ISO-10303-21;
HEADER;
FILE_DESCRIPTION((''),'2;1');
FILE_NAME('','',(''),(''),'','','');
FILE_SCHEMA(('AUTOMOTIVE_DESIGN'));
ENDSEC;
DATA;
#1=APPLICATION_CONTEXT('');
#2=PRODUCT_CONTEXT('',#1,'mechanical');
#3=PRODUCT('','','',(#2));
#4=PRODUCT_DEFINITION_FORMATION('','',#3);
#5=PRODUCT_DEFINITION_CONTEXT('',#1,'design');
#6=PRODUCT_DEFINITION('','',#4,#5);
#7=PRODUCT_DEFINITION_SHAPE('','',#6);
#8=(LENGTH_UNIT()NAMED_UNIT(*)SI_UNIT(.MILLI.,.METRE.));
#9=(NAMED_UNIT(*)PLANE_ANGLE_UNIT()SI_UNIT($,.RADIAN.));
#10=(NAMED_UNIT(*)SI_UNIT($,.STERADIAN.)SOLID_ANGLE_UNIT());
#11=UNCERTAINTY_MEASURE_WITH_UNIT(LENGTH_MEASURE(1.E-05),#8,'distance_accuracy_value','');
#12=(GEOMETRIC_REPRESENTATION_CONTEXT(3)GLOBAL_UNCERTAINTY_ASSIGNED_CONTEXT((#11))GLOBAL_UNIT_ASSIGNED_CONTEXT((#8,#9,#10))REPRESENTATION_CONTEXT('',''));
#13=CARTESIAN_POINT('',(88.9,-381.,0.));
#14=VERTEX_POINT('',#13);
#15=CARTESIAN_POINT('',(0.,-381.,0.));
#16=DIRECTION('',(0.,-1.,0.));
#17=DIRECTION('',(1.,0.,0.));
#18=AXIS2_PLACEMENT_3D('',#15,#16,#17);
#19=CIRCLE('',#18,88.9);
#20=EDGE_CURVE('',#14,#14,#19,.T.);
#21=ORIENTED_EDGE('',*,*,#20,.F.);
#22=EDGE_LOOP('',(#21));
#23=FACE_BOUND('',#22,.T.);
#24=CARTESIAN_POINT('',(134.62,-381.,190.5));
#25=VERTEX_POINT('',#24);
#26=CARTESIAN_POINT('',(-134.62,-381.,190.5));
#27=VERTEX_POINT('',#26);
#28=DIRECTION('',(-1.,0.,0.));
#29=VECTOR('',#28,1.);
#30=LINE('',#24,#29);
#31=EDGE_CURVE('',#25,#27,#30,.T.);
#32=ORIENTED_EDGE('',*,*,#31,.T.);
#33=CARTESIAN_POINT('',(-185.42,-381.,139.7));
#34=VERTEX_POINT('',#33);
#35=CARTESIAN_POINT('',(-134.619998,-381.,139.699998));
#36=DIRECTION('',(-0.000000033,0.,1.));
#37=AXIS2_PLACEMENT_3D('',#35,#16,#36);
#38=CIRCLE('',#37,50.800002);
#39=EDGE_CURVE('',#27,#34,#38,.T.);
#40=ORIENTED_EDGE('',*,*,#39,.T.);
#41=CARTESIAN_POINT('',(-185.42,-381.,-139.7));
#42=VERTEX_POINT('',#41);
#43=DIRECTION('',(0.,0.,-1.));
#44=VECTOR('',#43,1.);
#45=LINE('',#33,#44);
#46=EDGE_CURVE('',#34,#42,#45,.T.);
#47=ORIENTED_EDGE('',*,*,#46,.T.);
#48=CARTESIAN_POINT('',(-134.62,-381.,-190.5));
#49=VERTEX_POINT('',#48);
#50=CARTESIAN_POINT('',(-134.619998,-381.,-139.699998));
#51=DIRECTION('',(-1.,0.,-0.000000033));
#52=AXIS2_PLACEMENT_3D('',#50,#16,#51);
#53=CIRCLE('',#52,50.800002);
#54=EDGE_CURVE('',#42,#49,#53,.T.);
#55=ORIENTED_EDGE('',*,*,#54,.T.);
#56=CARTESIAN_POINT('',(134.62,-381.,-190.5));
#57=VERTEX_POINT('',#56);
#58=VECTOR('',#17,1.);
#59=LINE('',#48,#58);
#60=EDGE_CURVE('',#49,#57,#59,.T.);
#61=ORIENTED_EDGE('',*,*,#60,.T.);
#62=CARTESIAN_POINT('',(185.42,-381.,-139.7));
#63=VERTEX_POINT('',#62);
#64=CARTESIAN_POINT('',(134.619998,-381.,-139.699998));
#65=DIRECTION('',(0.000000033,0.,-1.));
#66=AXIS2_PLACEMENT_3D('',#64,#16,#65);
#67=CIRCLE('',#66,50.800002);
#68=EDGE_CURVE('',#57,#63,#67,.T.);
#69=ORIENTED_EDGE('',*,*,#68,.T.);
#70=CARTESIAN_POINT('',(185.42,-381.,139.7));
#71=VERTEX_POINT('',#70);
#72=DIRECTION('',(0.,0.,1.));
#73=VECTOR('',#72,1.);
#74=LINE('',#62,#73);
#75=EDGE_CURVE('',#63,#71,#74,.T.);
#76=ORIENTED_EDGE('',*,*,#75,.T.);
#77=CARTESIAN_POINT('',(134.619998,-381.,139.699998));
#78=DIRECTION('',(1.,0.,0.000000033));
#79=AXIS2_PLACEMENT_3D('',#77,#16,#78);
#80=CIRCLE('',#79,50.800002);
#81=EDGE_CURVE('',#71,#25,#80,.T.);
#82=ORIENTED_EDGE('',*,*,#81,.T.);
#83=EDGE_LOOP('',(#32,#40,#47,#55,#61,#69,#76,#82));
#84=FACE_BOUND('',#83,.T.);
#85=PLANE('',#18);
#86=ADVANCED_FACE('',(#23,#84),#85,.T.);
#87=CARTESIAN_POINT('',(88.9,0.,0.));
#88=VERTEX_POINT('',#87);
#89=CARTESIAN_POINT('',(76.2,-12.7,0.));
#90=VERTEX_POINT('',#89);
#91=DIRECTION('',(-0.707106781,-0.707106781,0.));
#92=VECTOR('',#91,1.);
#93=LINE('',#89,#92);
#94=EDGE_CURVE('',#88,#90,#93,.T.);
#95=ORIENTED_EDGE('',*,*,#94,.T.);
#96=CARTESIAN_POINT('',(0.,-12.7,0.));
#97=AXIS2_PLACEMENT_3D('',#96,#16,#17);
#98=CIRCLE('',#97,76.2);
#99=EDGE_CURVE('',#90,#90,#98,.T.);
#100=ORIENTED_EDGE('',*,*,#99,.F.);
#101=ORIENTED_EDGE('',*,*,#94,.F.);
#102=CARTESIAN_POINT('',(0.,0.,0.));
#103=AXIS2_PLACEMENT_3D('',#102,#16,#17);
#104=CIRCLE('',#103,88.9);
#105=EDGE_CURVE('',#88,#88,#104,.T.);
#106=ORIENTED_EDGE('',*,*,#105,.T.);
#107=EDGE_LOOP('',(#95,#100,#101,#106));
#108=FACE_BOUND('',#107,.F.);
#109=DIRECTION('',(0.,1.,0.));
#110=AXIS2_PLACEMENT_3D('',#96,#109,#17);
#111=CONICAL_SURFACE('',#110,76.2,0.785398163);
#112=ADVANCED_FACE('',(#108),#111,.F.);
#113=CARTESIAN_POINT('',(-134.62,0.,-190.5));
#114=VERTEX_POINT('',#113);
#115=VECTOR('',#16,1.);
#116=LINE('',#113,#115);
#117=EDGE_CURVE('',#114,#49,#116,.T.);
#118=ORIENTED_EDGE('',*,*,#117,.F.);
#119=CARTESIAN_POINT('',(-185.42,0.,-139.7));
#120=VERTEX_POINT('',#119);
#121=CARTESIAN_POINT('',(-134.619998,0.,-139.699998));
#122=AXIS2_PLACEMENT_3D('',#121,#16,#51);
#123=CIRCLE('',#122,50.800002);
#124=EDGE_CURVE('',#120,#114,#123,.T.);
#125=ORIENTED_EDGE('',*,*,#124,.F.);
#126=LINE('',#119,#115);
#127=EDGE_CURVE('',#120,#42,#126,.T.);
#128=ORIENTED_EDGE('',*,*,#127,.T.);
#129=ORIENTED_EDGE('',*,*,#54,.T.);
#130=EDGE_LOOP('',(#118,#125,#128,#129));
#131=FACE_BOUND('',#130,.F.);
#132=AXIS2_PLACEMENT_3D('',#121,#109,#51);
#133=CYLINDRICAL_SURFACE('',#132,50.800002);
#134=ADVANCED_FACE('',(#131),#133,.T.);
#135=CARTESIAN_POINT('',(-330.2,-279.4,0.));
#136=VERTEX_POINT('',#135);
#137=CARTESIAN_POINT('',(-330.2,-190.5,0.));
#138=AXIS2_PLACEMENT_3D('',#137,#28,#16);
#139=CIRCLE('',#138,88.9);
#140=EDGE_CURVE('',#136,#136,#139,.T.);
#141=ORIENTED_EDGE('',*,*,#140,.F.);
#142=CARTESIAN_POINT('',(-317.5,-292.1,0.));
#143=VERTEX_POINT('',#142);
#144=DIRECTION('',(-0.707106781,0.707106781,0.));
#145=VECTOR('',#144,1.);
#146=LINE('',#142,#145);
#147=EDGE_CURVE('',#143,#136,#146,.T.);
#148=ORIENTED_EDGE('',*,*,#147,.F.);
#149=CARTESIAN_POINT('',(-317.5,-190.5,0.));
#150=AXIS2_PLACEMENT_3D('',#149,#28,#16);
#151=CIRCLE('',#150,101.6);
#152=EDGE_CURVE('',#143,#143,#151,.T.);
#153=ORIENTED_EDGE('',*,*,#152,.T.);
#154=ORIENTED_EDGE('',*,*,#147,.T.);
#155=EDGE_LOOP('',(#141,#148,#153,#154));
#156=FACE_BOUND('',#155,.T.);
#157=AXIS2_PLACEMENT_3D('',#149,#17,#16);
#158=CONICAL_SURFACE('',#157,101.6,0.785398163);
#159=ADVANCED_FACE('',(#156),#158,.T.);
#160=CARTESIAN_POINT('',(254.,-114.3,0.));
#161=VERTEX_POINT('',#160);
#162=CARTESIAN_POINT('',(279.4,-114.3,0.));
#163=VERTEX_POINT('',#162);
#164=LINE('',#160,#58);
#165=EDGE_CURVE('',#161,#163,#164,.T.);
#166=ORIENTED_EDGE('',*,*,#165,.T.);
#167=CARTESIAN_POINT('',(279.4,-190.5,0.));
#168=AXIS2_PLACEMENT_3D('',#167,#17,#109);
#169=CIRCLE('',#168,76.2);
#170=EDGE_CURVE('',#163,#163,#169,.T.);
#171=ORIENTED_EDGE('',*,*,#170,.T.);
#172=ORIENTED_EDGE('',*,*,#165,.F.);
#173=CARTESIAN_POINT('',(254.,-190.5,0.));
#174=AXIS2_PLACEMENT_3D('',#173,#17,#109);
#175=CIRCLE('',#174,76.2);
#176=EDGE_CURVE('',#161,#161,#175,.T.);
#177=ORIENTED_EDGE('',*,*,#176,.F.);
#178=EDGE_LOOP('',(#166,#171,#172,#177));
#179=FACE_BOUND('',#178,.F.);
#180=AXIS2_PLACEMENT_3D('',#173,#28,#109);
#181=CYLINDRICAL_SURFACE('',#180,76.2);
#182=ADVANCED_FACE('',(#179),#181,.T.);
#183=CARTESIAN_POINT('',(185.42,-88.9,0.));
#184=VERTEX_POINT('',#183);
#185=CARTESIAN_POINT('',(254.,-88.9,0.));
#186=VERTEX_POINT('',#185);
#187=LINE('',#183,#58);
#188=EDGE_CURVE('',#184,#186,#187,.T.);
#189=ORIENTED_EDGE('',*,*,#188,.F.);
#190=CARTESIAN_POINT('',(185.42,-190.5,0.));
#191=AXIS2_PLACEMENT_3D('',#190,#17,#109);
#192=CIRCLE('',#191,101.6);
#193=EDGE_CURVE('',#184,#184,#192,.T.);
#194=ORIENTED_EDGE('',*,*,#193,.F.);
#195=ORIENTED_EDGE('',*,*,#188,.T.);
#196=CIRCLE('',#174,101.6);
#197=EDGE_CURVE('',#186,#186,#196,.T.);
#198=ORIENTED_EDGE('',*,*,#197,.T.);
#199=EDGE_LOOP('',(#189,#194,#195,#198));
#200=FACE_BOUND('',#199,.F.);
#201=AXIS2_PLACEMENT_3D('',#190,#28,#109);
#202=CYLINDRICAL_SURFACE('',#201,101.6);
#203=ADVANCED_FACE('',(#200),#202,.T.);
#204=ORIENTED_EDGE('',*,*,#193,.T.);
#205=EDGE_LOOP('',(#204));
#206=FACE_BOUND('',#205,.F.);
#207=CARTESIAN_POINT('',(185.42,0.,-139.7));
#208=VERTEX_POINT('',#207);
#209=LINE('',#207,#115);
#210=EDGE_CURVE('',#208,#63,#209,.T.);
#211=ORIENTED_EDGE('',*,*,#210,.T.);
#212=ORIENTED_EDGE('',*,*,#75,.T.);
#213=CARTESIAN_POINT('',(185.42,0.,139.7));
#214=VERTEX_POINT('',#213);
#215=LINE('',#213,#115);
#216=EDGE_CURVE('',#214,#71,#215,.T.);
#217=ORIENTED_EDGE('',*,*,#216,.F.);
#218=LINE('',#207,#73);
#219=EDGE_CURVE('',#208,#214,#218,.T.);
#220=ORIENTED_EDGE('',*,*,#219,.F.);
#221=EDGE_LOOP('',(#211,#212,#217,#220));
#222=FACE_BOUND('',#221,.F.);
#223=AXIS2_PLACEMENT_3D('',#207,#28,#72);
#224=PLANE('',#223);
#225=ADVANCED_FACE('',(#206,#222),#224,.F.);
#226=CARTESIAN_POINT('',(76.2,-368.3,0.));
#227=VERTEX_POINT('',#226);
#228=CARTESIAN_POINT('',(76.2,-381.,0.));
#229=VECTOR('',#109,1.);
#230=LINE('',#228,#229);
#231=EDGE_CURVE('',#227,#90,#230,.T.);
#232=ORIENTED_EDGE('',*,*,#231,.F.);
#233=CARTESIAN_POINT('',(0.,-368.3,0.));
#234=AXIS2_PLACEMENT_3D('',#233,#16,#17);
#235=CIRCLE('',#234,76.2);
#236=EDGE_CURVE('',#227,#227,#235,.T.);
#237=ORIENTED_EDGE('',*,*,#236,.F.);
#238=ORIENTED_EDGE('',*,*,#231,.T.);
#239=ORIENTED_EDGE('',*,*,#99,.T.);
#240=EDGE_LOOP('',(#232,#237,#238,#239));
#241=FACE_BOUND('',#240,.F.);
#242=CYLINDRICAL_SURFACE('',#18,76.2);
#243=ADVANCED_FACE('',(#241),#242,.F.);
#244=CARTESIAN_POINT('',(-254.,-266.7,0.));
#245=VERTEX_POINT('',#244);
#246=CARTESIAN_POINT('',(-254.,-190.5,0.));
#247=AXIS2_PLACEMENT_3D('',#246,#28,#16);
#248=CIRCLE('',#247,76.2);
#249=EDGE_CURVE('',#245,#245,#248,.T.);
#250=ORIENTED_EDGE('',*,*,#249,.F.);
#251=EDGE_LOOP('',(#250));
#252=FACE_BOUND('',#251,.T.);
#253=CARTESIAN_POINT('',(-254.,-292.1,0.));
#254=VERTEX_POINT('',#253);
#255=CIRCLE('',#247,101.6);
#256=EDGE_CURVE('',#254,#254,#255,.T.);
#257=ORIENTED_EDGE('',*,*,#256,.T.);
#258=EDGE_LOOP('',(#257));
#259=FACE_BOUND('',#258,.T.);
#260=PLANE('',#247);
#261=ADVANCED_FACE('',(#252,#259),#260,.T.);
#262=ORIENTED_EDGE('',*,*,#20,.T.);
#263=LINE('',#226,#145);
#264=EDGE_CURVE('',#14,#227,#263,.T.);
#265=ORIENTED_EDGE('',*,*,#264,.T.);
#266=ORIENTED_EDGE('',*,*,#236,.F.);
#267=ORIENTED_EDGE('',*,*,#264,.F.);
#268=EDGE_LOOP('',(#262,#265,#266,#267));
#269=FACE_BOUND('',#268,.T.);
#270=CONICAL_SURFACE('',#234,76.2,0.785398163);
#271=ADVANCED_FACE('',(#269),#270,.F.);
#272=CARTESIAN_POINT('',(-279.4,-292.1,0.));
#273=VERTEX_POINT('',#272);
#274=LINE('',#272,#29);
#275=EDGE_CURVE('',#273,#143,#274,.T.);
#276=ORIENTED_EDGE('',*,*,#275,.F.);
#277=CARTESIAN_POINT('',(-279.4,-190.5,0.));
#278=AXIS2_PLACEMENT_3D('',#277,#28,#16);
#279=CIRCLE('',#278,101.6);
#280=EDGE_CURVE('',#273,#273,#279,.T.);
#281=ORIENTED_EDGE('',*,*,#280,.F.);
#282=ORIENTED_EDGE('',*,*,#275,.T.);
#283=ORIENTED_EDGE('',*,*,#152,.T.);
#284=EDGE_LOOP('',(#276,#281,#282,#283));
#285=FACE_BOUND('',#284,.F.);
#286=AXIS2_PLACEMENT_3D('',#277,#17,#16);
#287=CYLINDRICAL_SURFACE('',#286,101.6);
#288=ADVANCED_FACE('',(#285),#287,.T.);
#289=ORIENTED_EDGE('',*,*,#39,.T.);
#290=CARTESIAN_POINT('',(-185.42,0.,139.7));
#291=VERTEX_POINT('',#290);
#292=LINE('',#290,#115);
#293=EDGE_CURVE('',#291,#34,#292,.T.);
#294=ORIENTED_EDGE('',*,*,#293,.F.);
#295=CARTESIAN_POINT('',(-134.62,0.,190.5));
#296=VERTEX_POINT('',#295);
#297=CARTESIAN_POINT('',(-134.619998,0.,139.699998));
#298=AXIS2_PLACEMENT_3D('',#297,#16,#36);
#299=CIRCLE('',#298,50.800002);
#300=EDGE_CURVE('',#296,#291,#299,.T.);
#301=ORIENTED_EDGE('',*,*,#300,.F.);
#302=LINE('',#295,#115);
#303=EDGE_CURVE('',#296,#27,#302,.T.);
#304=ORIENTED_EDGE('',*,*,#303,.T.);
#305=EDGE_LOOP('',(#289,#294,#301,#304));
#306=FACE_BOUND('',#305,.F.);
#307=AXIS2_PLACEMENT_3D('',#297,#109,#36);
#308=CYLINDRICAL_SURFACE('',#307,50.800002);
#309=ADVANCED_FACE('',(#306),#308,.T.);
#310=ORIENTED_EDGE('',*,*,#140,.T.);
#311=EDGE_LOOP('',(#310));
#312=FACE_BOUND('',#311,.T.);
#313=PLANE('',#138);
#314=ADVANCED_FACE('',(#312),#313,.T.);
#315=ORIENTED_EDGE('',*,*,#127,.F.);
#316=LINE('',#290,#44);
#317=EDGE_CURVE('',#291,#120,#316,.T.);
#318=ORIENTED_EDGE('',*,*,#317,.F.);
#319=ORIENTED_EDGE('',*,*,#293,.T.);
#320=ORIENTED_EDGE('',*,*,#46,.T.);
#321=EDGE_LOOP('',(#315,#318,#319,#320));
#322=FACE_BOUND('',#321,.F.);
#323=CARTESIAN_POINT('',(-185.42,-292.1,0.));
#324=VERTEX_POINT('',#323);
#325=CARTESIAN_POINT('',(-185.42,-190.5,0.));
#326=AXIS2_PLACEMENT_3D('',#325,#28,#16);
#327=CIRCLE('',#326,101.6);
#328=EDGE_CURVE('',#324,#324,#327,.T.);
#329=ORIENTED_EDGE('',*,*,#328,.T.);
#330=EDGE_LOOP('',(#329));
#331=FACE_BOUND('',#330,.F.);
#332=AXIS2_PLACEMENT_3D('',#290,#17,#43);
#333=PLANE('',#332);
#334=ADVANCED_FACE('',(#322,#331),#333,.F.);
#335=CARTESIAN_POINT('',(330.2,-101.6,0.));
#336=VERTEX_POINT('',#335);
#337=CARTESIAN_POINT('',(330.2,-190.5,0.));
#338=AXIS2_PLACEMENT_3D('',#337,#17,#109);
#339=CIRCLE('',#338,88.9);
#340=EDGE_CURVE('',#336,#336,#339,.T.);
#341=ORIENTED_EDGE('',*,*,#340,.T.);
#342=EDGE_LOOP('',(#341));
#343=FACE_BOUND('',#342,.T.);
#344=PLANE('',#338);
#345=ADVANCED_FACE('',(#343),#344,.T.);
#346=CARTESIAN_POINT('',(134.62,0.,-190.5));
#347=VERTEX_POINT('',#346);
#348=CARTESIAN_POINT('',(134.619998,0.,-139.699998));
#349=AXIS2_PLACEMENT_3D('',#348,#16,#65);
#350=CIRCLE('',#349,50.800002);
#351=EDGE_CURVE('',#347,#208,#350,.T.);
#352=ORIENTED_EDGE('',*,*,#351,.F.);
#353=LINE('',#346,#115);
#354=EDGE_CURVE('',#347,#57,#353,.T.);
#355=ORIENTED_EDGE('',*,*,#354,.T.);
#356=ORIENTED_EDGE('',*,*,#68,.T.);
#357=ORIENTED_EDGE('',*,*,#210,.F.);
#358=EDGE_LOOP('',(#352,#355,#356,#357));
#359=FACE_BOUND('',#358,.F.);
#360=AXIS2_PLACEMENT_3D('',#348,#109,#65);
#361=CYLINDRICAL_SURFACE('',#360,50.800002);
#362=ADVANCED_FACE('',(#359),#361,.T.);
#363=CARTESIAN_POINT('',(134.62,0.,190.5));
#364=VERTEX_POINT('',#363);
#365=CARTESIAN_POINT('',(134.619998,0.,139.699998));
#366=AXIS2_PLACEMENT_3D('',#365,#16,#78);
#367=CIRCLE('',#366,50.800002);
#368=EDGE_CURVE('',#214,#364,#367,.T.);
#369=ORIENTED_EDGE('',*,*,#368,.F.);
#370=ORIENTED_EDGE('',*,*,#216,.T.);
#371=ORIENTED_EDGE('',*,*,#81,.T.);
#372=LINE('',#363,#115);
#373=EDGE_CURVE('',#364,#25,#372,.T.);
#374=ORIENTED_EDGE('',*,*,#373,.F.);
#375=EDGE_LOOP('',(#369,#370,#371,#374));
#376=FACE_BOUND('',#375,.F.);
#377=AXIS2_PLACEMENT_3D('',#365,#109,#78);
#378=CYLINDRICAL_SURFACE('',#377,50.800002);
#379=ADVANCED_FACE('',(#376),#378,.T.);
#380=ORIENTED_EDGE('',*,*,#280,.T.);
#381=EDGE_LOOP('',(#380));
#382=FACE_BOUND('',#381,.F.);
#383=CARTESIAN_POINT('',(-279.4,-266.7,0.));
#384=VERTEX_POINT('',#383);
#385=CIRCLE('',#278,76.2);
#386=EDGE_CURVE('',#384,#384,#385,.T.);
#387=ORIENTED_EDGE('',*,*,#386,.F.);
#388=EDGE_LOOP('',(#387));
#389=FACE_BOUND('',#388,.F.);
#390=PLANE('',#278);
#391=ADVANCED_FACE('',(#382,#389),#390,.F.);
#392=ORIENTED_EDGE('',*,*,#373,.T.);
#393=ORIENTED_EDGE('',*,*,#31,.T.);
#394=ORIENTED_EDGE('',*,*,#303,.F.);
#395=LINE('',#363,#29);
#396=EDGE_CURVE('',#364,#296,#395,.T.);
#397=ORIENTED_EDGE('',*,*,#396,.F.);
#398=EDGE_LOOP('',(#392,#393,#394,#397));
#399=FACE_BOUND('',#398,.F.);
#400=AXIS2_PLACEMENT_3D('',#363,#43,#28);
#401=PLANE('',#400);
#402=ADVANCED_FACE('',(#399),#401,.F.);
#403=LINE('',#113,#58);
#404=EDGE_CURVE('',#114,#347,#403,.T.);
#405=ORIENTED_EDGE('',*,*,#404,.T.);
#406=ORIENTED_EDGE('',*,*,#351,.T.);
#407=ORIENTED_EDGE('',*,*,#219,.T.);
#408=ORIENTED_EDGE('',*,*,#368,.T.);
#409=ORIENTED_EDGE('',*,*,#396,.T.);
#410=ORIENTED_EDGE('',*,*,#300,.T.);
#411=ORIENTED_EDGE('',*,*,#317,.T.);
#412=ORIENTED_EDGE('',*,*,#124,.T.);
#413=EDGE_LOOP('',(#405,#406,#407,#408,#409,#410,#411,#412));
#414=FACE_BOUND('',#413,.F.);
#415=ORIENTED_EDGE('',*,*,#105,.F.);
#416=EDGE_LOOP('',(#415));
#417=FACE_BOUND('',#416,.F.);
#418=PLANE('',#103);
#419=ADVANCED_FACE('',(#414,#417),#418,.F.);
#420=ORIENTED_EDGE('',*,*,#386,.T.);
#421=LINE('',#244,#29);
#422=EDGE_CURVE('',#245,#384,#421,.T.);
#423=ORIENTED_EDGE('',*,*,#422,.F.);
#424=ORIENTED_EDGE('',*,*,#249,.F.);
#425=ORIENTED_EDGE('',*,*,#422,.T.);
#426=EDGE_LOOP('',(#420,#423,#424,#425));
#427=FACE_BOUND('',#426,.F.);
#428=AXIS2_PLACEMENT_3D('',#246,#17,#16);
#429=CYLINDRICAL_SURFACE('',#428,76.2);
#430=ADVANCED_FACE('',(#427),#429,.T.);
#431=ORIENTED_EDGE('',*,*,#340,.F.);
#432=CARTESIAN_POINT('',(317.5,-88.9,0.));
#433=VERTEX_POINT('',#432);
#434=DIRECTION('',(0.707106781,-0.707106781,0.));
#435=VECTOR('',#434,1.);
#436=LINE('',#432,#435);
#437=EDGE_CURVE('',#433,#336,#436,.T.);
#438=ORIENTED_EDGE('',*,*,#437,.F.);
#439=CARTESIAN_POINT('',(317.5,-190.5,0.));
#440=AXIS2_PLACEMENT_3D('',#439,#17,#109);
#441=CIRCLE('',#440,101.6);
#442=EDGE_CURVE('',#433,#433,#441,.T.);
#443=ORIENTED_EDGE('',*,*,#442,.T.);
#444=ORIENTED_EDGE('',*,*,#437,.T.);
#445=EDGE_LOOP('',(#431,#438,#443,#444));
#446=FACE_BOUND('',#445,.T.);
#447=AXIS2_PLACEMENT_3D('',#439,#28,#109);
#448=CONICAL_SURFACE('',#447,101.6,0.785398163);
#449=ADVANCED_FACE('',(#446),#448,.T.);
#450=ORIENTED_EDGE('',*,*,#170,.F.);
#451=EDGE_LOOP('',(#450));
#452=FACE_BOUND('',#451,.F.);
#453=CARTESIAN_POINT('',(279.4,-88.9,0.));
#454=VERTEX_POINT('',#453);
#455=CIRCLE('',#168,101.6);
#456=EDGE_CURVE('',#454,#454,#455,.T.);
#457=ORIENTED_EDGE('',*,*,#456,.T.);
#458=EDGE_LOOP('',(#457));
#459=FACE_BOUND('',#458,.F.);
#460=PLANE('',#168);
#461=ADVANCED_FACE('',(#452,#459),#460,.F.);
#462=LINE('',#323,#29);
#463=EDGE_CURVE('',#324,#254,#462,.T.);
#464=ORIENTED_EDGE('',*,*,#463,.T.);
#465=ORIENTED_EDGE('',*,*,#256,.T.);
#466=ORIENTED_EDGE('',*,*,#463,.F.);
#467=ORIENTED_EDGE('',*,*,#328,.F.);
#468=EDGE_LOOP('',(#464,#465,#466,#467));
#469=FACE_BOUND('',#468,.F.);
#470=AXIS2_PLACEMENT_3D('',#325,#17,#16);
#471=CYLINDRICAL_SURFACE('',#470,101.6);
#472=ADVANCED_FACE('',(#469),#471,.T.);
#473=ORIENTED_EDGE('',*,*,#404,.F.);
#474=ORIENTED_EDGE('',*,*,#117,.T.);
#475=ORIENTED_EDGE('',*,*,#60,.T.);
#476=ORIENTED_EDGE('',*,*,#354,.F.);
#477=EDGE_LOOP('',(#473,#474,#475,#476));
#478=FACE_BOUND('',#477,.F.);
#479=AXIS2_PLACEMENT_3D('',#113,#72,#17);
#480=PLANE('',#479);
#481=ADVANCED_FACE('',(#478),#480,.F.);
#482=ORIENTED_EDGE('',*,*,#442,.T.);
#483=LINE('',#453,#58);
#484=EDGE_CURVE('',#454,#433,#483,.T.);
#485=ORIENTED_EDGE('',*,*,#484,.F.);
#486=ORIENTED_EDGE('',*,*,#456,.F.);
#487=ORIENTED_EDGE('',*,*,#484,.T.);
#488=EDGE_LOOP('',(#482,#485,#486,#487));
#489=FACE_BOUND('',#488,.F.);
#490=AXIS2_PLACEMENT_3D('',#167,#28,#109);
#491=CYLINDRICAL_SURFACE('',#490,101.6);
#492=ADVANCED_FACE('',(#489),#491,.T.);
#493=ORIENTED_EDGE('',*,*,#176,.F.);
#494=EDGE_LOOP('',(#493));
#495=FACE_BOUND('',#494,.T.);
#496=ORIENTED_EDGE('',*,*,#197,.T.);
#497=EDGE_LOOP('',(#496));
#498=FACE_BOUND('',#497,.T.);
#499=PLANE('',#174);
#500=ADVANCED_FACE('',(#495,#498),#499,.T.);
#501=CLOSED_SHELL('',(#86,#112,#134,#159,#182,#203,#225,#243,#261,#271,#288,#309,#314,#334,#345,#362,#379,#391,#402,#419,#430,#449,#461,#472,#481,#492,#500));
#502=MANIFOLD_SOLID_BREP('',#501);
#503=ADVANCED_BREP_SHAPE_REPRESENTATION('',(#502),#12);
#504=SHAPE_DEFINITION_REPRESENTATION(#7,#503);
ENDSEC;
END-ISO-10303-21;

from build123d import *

# Parameters (mm, degrees)
F2_DEPTH  = 381
F3_R      = 101.6
F4_DEPTH  = 68.58
F5_R      = 101.6
F6_DEPTH  = 68.58
F7_R      = 76.2
F8_DEPTH  = 508
F9_SIZE2  = 12.7
F9_SIZE   = 12.7
F11_R     = 76.2
F12_DEPTH = 25.4
F10_R     = 76.2
F13_DEPTH = 25.4
F14_R     = 101.6
F14_R_2   = 76.2
F15_DEPTH = 50.8
F16_R     = 101.6
F17_DEPTH = 50.8
F18_SIZE2 = 12.7
F18_SIZE  = 12.7


with BuildPart() as f2:
    # F1 (on Front) → F2 (new body)
    with BuildSketch(Plane.XZ):
        with BuildLine():
            ThreePointArc((-185.42, -139.7), (-170.541024, -175.621024), (-134.62, -190.5))
            Line((-134.62, -190.5), (134.62, -190.5))
            ThreePointArc((134.62, -190.5), (170.541024, -175.621024), (185.42, -139.7))
            Line((185.42, -139.7), (185.42, 139.7))
            ThreePointArc((185.42, 139.7), (170.541024, 175.621024), (134.62, 190.5))
            Line((134.62, 190.5), (-134.62, 190.5))
            ThreePointArc((-134.62, 190.5), (-170.541024, 175.621024), (-185.42, 139.7))
            Line((-185.42, 139.7), (-185.42, -139.7))
        make_face()
    extrude(amount=F2_DEPTH)

    # F3 (on face) → F4 (join)
    with BuildSketch(Plane.YZ.offset(185.42)):
        with Locations((-190.5, 0)):
            Circle(F3_R)
    extrude(amount=F4_DEPTH)

    # F5 (on face) → F6 (join)
    with BuildSketch(Plane(origin=(-185.42, 0, 0), x_dir=(0, -1, 0), z_dir=(-1, 0, 0))):
        with Locations((190.5, 0)):
            Circle(F5_R)
    extrude(amount=F6_DEPTH)

    # F7 (on face) → F8 (cut)
    with BuildSketch(Plane.XZ.offset(381)):
        Circle(F7_R)
    extrude(amount=-F8_DEPTH, mode=Mode.SUBTRACT)

    # F9
    f9_edges = [f2.edges().sort_by_distance(p)[0] for p in [
        (-76.2, -381, 0),
        (-76.2, 0, 0),
    ]]
    chamfer(f9_edges, length=F9_SIZE, length2=F9_SIZE2)

    # F11 (on face) → F12 (join)
    with BuildSketch(Plane.YZ.offset(254)):
        with Locations((-190.5, 0)):
            Circle(F11_R)
    extrude(amount=F12_DEPTH)

    # F10 (on face) → F13 (join)
    with BuildSketch(Plane(origin=(-254, 0, 0), x_dir=(0, -1, 0), z_dir=(-1, 0, 0))):
        with Locations((190.5, 0)):
            Circle(F10_R)
    extrude(amount=F13_DEPTH)

    # F14 (on face) → F15 (join)
    with BuildSketch(Plane.YZ.offset(279.4)):
        with Locations((-190.5, 0)):
            Circle(F14_R)
        with Locations((-190.5, 0)):
            Circle(F14_R_2, mode=Mode.SUBTRACT)
        with Locations((-190.5, 0)):
            Circle(F14_R)
        with Locations((-190.5, 0)):
            Circle(F14_R_2)
    extrude(amount=F15_DEPTH)

    # F16 (on face) → F17 (join)
    with BuildSketch(Plane(origin=(-279.4, 0, 0), x_dir=(0, -1, 0), z_dir=(-1, 0, 0))):
        with Locations((190.5, 0)):
            Circle(F16_R)
    extrude(amount=F17_DEPTH)

    # F18
    f18_edges = [f2.edges().sort_by_distance(p)[0] for p in [
        (330.2, -292.1, 0),
        (-330.2, -88.9, 0),
    ]]
    chamfer(f18_edges, length=F18_SIZE, length2=F18_SIZE2)


solid = f2.part
